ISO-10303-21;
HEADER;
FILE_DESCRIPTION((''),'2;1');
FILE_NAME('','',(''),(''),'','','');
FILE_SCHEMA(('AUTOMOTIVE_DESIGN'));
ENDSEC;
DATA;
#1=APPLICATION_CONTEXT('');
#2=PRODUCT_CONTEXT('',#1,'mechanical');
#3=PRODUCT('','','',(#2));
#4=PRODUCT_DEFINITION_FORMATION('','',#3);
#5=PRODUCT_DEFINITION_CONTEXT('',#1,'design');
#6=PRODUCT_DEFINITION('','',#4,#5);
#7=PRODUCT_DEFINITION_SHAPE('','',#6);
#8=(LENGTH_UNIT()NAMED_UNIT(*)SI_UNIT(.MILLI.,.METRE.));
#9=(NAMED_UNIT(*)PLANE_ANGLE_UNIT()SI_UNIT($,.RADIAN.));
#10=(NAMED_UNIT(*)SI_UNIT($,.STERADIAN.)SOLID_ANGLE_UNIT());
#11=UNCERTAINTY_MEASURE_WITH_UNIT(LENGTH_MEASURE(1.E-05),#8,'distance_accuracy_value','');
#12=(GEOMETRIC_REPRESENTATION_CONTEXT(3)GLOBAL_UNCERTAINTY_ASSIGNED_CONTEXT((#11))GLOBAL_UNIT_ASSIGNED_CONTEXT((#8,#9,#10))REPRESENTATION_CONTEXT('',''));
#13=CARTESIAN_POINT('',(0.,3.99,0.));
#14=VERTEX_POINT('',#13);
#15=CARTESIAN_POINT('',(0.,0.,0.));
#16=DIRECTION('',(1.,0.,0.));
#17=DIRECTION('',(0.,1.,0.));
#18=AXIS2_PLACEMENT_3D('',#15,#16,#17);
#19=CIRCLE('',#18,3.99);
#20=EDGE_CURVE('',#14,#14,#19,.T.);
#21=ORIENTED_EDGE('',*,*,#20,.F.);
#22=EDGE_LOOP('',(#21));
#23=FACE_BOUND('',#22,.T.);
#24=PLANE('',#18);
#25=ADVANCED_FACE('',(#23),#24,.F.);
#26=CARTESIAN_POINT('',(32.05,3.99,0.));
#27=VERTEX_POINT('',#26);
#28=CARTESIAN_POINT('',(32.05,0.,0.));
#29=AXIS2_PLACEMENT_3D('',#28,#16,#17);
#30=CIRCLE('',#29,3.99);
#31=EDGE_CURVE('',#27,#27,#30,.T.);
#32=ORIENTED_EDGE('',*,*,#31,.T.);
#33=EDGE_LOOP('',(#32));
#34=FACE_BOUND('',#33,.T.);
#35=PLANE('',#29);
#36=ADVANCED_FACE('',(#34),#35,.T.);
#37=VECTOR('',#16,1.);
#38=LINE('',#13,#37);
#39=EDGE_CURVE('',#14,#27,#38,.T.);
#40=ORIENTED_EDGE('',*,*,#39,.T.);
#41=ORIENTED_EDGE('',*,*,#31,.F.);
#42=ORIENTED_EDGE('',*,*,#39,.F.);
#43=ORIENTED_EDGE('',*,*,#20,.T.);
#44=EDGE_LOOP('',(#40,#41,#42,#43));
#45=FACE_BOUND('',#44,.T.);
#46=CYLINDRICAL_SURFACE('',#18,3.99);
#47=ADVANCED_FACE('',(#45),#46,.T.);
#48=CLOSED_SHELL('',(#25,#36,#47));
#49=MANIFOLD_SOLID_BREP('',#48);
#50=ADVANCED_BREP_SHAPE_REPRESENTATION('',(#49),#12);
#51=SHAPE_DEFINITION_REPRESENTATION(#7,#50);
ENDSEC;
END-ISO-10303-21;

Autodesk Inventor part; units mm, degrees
ref_plane "YZ Plane" through (0, 0, 0) normal (1, 0, 0) x (0, 1, 0)
ref_plane "XZ Plane" through (0, 0, 0) normal (0, 1, 0) x (-1, 0, 0)
ref_plane "XY Plane" through (0, 0, 0) normal (0, 0, 1) x (1, 0, 0)
sketch "Skizze2" plane through (0, 0, 0) normal (0, 0, 1) x (1, 0, 0)
  line L0 (0, 7.8) -> (0, -7.8) construction
  line L1 (40, -7.8) -> (40, 7.8) construction
  line L2 (40, 0) -> (40, 3.9902) construction
  line L3 (5, 4.2) -> (5, -4.2) construction
  line L4 (35, -4.2) -> (35, 4.2) construction
  line L5 (35, 3.9902) -> (34.1, 3.9902) construction
  line L6 (34.1, 2.9902) -> (35, 2.9902) construction
  line L7 (40, 3.9902) -> (35, 3.9902) construction
  line L8 (0, 0) -> (31.65, 0) construction
  line L9 (31.65, 0) -> (31.65, 3.99) construction
  line L10 (31.65, 3.99) -> (0, 3.99) construction
  line L11 (0, 3.99) -> (0, 0) construction
  line L12 (0, 3.99) -> (32.05, 3.99)
  line L13 (32.05, 0) -> (0, 0)
  line L14 (0, 0) -> (0, 3.99)
  line L15 (32.05, -7.8) -> (32.05, 7.8) construction
  line L16 (32.05, 3.99) -> (32.05, 0)
  point P0 (35, 0)
revolve "Umdrehung2" add sketch "Skizze2" angle 360 about axis through (0, 0, 0) along (1, 0, 0)
properties part number "Shaft_8mm"
